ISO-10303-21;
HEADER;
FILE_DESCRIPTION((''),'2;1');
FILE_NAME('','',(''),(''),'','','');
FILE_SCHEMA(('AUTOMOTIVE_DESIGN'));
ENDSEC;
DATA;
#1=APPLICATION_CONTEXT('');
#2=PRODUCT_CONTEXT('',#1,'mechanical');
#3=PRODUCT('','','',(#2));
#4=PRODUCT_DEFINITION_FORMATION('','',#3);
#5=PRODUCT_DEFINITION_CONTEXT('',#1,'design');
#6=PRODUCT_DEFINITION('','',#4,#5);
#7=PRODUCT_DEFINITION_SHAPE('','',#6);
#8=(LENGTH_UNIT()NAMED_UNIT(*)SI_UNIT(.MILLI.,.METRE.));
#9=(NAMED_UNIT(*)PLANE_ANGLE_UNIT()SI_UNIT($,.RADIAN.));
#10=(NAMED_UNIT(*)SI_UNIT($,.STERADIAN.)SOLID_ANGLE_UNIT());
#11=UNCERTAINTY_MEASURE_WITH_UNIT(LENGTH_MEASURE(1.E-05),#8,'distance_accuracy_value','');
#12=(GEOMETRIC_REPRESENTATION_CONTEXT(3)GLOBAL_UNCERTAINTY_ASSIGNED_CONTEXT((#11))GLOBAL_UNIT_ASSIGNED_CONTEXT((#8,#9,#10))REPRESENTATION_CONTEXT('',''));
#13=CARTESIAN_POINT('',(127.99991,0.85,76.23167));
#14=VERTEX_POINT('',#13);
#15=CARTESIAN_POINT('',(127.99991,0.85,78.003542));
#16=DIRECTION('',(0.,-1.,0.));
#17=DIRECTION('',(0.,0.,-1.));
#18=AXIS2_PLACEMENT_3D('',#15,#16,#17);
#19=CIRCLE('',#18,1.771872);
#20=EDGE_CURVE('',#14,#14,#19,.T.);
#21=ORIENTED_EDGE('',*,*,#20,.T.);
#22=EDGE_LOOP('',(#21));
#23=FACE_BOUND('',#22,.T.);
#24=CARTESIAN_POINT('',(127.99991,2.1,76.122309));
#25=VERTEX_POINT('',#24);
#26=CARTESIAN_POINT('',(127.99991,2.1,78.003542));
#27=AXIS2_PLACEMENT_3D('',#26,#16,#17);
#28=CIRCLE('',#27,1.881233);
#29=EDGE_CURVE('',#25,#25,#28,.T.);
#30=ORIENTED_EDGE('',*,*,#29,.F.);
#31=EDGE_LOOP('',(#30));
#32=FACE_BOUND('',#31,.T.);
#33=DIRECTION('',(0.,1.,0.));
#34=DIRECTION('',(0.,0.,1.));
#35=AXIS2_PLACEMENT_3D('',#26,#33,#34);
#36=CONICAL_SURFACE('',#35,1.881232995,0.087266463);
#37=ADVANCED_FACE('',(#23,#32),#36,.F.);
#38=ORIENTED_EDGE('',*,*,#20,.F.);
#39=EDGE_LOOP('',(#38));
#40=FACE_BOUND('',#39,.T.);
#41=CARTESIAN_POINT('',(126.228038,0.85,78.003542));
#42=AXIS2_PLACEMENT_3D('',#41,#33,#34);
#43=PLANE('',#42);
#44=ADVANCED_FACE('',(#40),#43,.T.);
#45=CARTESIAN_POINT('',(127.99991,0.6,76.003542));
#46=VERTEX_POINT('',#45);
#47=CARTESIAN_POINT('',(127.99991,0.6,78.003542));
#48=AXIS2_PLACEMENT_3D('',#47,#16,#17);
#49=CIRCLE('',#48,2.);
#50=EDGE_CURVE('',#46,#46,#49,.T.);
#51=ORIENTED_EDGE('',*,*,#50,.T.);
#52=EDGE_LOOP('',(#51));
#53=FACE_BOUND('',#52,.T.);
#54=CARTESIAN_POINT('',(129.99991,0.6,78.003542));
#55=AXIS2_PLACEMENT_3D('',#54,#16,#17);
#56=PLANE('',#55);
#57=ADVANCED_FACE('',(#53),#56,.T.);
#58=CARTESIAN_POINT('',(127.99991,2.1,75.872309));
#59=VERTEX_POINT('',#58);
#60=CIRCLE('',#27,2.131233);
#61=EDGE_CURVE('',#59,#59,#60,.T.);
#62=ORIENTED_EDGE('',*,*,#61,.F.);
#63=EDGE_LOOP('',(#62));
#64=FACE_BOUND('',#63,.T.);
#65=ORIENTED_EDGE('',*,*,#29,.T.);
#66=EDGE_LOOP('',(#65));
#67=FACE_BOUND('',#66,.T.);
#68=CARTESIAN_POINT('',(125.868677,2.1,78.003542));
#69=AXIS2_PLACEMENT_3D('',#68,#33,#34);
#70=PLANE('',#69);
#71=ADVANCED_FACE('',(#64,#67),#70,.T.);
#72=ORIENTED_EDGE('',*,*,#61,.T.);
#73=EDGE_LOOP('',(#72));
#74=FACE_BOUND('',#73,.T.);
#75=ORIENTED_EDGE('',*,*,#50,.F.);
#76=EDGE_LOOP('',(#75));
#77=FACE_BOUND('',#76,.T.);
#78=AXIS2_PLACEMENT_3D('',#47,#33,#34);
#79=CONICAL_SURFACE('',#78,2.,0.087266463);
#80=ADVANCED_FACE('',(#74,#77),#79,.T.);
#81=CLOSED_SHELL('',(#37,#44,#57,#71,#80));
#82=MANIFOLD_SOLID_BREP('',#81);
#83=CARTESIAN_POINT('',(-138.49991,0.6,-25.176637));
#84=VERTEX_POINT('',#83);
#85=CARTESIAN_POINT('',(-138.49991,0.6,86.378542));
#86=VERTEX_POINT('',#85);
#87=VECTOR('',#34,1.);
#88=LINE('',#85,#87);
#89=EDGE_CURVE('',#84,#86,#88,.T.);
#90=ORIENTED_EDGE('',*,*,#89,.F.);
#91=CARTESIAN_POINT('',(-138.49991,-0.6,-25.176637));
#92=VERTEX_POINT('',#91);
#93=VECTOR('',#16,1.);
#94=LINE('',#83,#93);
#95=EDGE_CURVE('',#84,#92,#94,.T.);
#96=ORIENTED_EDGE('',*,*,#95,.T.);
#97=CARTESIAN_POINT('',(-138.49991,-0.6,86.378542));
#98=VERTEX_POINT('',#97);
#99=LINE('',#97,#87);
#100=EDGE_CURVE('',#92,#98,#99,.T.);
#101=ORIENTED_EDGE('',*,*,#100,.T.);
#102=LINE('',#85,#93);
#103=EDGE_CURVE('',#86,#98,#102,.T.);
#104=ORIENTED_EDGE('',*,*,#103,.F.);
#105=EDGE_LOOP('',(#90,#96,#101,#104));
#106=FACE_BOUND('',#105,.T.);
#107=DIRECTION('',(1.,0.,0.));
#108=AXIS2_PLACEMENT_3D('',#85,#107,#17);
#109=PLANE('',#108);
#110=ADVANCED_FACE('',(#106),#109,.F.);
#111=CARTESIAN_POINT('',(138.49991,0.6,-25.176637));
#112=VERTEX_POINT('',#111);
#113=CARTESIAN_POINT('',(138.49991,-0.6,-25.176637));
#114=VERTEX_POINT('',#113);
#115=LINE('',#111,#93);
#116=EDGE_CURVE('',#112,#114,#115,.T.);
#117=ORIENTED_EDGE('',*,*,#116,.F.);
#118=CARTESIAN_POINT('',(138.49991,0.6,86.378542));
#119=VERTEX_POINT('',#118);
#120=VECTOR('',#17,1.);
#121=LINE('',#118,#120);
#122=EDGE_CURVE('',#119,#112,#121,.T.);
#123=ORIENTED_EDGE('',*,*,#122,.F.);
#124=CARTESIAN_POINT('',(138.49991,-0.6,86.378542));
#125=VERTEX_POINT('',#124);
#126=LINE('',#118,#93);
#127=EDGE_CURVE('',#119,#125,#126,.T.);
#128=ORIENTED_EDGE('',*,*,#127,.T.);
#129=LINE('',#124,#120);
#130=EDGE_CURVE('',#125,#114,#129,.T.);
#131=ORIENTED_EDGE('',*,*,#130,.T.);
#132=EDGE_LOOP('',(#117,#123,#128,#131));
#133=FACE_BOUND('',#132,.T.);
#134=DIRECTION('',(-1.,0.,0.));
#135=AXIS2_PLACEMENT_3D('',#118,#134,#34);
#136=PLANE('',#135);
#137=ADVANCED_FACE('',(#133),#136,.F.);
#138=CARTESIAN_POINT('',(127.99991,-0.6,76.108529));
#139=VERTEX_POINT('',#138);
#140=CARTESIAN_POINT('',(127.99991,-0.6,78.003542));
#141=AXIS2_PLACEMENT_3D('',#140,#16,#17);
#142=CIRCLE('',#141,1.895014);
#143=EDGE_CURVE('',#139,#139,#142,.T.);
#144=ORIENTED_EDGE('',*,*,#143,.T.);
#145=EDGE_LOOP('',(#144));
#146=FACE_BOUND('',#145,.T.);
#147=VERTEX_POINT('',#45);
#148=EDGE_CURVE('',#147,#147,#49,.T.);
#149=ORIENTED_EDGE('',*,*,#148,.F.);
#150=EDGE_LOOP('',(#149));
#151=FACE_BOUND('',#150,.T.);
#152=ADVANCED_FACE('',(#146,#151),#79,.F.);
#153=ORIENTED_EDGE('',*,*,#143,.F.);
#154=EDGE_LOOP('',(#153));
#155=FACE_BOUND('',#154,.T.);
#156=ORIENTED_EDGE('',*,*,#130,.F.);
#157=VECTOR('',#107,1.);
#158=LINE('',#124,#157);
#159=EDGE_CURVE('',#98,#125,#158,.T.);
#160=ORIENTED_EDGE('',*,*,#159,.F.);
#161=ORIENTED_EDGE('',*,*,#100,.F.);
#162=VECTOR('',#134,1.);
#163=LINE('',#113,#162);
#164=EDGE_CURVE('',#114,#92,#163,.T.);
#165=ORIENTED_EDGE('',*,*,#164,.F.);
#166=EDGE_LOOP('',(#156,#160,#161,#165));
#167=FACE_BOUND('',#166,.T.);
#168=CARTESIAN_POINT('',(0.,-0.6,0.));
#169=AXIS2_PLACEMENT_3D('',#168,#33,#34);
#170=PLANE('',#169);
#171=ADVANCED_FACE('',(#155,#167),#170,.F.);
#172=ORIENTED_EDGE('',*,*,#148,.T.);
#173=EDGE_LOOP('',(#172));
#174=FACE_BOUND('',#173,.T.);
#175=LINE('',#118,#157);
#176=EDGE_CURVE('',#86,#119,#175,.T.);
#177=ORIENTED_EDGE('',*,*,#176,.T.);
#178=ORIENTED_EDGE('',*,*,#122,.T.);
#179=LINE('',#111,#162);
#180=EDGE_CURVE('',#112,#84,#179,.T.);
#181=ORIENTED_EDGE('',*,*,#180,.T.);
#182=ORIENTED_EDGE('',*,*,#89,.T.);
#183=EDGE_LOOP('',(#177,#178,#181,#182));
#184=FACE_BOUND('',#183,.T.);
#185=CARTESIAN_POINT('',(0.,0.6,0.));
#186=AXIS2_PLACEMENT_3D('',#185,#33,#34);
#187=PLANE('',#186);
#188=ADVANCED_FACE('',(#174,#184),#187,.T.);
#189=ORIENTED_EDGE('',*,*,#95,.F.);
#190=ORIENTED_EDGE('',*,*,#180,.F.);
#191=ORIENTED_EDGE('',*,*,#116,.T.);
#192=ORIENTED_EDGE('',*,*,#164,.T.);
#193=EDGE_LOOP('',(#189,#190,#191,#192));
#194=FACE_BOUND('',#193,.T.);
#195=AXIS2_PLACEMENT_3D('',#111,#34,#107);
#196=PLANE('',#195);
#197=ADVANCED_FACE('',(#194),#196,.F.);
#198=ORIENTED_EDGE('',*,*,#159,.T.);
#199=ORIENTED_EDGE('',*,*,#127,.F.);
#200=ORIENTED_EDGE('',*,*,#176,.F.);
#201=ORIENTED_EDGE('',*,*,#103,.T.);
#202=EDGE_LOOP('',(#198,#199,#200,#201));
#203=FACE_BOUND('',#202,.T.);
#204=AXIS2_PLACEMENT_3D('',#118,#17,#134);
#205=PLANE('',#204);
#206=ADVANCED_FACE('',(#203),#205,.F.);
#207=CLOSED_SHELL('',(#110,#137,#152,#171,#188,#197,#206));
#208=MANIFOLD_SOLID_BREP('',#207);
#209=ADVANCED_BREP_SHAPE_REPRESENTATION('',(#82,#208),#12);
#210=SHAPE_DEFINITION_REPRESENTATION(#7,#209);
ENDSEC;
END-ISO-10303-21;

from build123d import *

# Parameters (mm, degrees)
SKETCH1_W           = 276.99982026
SKETCH1_H           = 111.55517974
BOSS_EXTRUDE1_DEPTH = 0.6


with BuildPart() as part:
    # Sketch1 → Boss-Extrude1 (new, symmetric)
    with BuildSketch(Plane(origin=(0, 0, 0), x_dir=(1, 0, 0), z_dir=(0, 1, 0))):
        with Locations((-1.3e-07, -30.600952381)):
            Rectangle(SKETCH1_W, SKETCH1_H)
    extrude(amount=BOSS_EXTRUDE1_DEPTH, both=True)

    # Sketch2 → Revolve1 (revolve)
    with BuildSketch(Plane(origin=(0, 0, 78.003542251), x_dir=(-1, 0, 0), z_dir=(0, 0, -1)), mode=Mode.PRIVATE) as revolve1_sk:
        Polygon((-127.99991, 0.6), (-125.99991, 0.6), (-125.868677005, 2.1), (-126.118677005, 2.1), (-126.228037834, 0.85), (-127.99991, 0.85), align=None)
    revolve(revolve1_sk.sketch.rotate(Axis((127.99991, -51.532801272, 78.003542251), (0, 1, 0)), 90), axis=Axis((127.99991, -51.532801272, 78.003542251), (0, 1, 0)))

    # Sketch4 → Cut-Revolve1 (revolve, cut)
    with BuildSketch(Plane(origin=(0, 0, 78.003542251), x_dir=(-1, 0, 0), z_dir=(0, 0, -1)), mode=Mode.PRIVATE) as cut_revolve1_sk:
        Polygon((-129.894923604, -0.6), (-129.99991, 0.6), (-127.99991, 0.6), (-127.99991, -0.6), align=None)
    revolve(cut_revolve1_sk.sketch.rotate(Axis((127.99991, -51.532801272, 78.003542251), (0, 1, 0)), 90), axis=Axis((127.99991, -51.532801272, 78.003542251), (0, 1, 0)), mode=Mode.SUBTRACT)


with BuildPart() as cut_revolve1_piece_1:
    # of the separate pieces the step leaves, piece 1, a body of its own (cut_revolve1_pieces)
    add(part.part.solids().sort_by_distance((138.49991, -0.6, 86.378542251))[0])


with BuildPart() as cut_revolve1_piece_2:
    # of the separate pieces the step leaves, piece 2, a body of its own (cut_revolve1_pieces)
    add(part.part.solids().sort_by_distance((127.99991, 2.1, 80.134775246))[0])


solid = Compound([cut_revolve1_piece_1.part, cut_revolve1_piece_2.part])
